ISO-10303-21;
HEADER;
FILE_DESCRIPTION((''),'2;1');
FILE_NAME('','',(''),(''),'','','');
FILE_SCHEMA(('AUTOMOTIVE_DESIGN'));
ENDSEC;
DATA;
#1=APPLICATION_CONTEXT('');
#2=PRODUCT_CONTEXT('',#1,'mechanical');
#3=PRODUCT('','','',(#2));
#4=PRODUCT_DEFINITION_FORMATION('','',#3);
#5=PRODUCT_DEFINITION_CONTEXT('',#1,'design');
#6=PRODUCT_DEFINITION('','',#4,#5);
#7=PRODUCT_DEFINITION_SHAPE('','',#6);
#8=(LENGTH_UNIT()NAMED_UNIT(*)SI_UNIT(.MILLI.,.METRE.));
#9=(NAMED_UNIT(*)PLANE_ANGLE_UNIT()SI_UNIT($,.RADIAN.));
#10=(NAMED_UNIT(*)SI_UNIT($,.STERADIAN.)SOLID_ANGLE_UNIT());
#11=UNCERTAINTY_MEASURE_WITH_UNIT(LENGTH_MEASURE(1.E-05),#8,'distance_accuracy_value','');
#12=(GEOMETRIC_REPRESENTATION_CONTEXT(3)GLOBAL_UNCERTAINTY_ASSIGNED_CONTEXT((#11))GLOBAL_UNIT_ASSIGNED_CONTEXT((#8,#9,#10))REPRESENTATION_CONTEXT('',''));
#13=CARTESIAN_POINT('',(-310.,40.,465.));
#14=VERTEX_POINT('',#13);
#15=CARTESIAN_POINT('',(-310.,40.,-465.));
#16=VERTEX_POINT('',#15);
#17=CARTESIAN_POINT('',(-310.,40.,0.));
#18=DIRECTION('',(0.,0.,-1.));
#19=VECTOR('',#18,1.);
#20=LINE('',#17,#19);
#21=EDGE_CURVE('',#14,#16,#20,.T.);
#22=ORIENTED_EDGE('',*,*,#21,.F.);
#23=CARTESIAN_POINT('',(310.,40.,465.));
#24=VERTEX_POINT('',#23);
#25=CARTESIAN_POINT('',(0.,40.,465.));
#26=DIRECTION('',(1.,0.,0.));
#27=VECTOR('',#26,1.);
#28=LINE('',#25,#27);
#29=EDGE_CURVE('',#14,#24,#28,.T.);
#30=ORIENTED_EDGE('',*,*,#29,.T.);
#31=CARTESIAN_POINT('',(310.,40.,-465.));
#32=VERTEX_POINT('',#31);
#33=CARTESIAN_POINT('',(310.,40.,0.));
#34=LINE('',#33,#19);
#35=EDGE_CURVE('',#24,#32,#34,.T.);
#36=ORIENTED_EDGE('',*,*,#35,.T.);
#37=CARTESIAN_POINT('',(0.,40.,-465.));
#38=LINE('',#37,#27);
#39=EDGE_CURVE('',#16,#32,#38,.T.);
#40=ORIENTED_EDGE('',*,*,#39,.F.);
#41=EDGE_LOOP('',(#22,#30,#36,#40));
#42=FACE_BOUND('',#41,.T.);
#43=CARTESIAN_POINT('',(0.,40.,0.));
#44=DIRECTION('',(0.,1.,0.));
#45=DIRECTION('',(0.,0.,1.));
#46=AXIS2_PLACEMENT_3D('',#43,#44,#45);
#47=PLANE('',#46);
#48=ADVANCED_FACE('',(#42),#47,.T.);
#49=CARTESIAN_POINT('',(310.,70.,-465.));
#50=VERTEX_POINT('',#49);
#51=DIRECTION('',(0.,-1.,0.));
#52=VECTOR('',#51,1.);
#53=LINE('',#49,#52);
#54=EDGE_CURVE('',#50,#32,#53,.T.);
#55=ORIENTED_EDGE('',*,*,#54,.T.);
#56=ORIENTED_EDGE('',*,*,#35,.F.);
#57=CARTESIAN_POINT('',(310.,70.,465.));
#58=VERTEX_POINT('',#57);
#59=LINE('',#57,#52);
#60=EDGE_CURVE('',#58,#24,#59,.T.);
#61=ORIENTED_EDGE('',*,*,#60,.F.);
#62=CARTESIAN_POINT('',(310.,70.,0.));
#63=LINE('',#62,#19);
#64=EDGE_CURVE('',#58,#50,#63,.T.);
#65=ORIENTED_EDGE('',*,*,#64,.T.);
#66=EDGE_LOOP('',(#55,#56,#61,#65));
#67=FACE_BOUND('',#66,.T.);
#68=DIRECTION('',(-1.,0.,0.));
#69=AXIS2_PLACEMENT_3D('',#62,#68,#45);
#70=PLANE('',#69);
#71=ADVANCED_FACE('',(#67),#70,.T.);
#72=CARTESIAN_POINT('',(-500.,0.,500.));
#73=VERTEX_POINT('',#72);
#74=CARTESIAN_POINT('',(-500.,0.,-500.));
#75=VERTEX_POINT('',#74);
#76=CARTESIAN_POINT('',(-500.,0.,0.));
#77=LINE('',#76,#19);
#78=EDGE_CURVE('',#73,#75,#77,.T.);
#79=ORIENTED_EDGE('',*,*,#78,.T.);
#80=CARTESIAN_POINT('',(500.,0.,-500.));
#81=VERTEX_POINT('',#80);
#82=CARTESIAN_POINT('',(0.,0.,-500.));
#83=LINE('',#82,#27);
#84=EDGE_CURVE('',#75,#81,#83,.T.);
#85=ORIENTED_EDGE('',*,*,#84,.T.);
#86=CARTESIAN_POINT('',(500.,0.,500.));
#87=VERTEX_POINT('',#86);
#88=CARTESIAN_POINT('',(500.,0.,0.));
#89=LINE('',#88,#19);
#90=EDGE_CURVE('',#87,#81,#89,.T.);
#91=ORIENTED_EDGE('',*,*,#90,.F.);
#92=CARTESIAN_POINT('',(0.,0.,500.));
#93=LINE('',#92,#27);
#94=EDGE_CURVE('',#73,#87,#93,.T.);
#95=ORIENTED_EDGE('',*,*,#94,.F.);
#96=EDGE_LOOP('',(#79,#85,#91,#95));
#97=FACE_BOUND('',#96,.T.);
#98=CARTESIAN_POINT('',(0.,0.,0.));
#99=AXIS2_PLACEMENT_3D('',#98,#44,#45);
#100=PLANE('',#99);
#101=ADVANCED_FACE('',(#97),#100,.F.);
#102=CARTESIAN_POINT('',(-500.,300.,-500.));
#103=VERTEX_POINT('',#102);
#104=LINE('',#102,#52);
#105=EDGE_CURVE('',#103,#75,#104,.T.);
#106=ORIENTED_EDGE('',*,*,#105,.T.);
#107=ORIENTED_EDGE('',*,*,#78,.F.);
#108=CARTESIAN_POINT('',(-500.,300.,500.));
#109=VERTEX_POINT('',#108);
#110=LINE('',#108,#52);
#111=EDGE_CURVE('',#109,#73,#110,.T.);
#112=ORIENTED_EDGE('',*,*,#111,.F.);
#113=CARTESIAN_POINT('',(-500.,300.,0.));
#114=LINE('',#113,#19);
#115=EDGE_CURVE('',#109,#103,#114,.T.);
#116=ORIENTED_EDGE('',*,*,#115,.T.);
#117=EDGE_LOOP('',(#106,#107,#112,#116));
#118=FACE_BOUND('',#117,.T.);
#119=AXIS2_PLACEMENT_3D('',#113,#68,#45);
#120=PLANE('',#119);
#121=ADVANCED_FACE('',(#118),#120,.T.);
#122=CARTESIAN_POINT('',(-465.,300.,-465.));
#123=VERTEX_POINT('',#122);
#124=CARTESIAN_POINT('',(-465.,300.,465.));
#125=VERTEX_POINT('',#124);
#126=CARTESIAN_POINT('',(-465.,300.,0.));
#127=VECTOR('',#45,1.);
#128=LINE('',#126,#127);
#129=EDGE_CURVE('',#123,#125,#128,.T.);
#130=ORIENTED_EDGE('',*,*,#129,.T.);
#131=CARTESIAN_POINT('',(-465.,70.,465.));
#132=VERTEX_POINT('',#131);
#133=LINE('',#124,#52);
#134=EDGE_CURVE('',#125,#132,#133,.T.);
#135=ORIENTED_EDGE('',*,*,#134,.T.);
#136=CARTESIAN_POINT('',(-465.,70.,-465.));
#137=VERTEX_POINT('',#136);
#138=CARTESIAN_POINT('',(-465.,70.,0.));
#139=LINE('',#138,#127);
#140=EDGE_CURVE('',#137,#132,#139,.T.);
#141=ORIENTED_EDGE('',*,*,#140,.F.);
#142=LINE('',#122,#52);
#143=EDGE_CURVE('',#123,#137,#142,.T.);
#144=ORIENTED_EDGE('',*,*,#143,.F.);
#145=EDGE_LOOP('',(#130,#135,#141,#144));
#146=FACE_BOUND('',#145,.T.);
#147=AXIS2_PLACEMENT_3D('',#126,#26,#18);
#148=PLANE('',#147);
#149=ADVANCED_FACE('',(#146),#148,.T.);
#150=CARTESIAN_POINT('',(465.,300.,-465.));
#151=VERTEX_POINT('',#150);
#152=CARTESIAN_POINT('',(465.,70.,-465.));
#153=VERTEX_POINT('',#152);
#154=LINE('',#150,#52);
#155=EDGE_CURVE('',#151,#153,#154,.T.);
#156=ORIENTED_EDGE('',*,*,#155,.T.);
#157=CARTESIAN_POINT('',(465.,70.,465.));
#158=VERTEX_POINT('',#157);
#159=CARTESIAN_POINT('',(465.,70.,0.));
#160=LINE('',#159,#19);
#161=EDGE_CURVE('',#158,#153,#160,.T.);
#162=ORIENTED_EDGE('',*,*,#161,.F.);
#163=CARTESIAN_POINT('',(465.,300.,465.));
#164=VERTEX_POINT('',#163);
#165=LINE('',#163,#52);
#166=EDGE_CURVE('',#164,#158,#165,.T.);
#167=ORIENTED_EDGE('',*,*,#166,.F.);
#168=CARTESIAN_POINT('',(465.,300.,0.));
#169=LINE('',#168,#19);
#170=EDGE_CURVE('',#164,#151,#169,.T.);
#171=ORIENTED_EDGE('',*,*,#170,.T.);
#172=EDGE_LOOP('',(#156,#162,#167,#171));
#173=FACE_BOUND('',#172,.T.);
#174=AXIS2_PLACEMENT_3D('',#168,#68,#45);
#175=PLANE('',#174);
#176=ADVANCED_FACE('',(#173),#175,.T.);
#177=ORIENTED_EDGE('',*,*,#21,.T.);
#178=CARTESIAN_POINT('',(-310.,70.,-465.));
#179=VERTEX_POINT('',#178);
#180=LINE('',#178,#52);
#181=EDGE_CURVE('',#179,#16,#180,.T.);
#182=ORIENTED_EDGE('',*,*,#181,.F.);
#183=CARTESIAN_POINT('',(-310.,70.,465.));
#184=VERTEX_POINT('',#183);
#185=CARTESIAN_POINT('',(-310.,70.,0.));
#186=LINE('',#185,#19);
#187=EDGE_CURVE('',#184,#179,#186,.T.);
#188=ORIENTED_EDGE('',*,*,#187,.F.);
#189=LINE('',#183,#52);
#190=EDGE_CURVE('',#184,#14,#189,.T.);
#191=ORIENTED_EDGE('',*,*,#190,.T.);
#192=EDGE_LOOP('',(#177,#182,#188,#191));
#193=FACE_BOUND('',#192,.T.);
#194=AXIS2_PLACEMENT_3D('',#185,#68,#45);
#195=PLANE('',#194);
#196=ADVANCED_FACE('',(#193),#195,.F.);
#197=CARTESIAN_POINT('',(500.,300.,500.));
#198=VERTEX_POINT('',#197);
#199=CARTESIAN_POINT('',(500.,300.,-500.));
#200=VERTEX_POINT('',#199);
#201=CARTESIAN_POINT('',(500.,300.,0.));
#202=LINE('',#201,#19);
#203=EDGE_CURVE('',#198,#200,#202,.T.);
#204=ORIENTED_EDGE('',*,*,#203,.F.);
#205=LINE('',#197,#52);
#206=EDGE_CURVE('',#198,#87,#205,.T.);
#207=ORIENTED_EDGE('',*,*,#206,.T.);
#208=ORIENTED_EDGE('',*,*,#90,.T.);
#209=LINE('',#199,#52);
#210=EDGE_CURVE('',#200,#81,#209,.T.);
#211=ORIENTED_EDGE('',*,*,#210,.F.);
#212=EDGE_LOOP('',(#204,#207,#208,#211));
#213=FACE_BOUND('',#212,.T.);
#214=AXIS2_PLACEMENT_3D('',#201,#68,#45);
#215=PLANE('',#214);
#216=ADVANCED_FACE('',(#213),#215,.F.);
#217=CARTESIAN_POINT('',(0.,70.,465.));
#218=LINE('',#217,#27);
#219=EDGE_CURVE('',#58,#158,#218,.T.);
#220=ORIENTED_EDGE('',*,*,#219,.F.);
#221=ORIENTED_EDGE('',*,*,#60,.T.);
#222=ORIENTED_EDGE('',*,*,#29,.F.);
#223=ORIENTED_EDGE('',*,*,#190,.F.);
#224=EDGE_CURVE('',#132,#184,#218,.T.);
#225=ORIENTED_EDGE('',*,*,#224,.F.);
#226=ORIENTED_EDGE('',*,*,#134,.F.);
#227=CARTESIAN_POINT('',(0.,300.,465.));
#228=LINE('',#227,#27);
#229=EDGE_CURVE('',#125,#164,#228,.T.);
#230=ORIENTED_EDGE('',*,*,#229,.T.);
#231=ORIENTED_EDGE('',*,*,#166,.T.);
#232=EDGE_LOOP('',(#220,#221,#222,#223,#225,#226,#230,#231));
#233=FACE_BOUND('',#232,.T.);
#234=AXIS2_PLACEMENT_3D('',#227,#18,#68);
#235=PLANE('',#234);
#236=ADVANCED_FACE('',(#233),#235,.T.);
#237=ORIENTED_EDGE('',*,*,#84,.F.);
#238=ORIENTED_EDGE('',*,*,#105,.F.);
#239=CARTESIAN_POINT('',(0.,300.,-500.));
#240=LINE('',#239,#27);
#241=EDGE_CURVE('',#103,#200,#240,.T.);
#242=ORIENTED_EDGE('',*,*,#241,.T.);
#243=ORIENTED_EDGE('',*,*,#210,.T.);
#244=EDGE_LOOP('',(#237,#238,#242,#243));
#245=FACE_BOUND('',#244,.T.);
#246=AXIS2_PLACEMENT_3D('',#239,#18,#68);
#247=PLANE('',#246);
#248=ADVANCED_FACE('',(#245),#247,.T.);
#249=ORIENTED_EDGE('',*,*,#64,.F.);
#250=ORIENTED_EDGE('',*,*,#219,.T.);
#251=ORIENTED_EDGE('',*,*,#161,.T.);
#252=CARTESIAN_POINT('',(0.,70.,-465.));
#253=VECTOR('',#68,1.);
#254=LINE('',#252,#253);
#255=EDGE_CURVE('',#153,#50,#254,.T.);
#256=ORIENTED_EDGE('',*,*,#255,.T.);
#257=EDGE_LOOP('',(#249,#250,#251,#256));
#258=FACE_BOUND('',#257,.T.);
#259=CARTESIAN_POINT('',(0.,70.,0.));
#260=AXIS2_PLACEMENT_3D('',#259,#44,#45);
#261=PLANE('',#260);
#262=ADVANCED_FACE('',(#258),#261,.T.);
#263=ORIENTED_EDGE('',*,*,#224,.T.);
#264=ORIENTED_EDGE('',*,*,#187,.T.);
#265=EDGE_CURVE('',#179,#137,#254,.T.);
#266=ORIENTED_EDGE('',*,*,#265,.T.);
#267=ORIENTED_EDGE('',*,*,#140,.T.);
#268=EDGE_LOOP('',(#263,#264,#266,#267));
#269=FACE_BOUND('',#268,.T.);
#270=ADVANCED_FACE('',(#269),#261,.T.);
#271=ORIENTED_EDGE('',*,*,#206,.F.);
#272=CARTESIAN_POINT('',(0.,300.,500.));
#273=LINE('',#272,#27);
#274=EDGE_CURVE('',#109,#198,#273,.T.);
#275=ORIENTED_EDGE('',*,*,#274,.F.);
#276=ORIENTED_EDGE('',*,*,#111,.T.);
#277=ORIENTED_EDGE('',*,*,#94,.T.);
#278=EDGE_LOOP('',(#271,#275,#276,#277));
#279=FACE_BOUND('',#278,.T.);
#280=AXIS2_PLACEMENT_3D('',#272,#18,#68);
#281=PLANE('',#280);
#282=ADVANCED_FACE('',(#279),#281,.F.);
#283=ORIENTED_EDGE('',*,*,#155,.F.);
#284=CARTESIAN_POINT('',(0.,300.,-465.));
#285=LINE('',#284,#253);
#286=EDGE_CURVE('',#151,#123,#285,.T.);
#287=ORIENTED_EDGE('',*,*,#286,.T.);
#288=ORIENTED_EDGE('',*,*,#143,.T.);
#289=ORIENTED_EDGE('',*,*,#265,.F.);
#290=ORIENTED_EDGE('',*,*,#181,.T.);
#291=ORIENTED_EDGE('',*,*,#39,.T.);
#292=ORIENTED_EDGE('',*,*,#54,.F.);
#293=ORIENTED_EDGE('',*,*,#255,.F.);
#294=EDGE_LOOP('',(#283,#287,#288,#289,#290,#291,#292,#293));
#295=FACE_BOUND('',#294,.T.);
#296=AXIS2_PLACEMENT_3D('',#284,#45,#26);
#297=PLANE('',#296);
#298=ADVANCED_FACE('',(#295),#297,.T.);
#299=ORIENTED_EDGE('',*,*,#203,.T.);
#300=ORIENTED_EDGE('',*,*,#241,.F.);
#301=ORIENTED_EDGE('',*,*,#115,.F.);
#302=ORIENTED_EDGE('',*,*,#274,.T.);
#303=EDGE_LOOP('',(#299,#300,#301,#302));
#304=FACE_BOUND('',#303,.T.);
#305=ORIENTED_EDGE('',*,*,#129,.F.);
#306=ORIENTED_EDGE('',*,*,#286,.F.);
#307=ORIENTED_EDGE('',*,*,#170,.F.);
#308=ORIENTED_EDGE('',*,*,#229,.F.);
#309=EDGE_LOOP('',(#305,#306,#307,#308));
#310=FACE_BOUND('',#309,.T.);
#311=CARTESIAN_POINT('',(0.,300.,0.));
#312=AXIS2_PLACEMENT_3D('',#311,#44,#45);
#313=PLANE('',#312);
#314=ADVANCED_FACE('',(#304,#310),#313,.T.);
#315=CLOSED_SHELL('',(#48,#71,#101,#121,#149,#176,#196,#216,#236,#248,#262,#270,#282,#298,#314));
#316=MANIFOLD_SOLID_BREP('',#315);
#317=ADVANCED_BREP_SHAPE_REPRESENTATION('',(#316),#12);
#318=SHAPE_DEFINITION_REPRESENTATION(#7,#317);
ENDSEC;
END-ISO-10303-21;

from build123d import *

# Parameters (mm, degrees)
SKETCH1_W           = 1000
SKETCH1_H           = 1000
BOSS_EXTRUDE2_DEPTH = 300
SKETCH1_4_W         = 155
SKETCH1_4_H         = 930
BOSS_EXTRUDE3_DEPTH = 70
SKETCH1_5_W         = 620
SKETCH1_5_H         = 930
BOSS_EXTRUDE4_DEPTH = 40


with BuildPart() as part:
    # Sketch1 → Boss-Extrude2 (new body)
    with BuildSketch(Plane(origin=(0, 0, 0), x_dir=(1, 0, 0), z_dir=(0, 1, 0))):
        Rectangle(SKETCH1_W, SKETCH1_H)
        Polygon((-465, 465), (-310, 465), (310, 465), (465, 465), (465, -465), (310, -465), (-310, -465), (-465, -465), align=None, mode=Mode.SUBTRACT)
    extrude(amount=BOSS_EXTRUDE2_DEPTH)

    # Sketch1<4> → Boss-Extrude3 (add)
    with BuildSketch(Plane(origin=(0, 0, 0), x_dir=(1, 0, 0), z_dir=(0, 1, 0))):
        with Locations((-387.5, 0)):
            Rectangle(SKETCH1_4_W, SKETCH1_4_H)
        with Locations((387.5, 0)):
            Rectangle(SKETCH1_4_W, SKETCH1_4_H)
    extrude(amount=BOSS_EXTRUDE3_DEPTH)

    # Sketch1<5> → Boss-Extrude4 (add)
    with BuildSketch(Plane(origin=(0, 0, 0), x_dir=(1, 0, 0), z_dir=(0, 1, 0))):
        Rectangle(SKETCH1_5_W, SKETCH1_5_H)
    extrude(amount=BOSS_EXTRUDE4_DEPTH)


solid = part.part
